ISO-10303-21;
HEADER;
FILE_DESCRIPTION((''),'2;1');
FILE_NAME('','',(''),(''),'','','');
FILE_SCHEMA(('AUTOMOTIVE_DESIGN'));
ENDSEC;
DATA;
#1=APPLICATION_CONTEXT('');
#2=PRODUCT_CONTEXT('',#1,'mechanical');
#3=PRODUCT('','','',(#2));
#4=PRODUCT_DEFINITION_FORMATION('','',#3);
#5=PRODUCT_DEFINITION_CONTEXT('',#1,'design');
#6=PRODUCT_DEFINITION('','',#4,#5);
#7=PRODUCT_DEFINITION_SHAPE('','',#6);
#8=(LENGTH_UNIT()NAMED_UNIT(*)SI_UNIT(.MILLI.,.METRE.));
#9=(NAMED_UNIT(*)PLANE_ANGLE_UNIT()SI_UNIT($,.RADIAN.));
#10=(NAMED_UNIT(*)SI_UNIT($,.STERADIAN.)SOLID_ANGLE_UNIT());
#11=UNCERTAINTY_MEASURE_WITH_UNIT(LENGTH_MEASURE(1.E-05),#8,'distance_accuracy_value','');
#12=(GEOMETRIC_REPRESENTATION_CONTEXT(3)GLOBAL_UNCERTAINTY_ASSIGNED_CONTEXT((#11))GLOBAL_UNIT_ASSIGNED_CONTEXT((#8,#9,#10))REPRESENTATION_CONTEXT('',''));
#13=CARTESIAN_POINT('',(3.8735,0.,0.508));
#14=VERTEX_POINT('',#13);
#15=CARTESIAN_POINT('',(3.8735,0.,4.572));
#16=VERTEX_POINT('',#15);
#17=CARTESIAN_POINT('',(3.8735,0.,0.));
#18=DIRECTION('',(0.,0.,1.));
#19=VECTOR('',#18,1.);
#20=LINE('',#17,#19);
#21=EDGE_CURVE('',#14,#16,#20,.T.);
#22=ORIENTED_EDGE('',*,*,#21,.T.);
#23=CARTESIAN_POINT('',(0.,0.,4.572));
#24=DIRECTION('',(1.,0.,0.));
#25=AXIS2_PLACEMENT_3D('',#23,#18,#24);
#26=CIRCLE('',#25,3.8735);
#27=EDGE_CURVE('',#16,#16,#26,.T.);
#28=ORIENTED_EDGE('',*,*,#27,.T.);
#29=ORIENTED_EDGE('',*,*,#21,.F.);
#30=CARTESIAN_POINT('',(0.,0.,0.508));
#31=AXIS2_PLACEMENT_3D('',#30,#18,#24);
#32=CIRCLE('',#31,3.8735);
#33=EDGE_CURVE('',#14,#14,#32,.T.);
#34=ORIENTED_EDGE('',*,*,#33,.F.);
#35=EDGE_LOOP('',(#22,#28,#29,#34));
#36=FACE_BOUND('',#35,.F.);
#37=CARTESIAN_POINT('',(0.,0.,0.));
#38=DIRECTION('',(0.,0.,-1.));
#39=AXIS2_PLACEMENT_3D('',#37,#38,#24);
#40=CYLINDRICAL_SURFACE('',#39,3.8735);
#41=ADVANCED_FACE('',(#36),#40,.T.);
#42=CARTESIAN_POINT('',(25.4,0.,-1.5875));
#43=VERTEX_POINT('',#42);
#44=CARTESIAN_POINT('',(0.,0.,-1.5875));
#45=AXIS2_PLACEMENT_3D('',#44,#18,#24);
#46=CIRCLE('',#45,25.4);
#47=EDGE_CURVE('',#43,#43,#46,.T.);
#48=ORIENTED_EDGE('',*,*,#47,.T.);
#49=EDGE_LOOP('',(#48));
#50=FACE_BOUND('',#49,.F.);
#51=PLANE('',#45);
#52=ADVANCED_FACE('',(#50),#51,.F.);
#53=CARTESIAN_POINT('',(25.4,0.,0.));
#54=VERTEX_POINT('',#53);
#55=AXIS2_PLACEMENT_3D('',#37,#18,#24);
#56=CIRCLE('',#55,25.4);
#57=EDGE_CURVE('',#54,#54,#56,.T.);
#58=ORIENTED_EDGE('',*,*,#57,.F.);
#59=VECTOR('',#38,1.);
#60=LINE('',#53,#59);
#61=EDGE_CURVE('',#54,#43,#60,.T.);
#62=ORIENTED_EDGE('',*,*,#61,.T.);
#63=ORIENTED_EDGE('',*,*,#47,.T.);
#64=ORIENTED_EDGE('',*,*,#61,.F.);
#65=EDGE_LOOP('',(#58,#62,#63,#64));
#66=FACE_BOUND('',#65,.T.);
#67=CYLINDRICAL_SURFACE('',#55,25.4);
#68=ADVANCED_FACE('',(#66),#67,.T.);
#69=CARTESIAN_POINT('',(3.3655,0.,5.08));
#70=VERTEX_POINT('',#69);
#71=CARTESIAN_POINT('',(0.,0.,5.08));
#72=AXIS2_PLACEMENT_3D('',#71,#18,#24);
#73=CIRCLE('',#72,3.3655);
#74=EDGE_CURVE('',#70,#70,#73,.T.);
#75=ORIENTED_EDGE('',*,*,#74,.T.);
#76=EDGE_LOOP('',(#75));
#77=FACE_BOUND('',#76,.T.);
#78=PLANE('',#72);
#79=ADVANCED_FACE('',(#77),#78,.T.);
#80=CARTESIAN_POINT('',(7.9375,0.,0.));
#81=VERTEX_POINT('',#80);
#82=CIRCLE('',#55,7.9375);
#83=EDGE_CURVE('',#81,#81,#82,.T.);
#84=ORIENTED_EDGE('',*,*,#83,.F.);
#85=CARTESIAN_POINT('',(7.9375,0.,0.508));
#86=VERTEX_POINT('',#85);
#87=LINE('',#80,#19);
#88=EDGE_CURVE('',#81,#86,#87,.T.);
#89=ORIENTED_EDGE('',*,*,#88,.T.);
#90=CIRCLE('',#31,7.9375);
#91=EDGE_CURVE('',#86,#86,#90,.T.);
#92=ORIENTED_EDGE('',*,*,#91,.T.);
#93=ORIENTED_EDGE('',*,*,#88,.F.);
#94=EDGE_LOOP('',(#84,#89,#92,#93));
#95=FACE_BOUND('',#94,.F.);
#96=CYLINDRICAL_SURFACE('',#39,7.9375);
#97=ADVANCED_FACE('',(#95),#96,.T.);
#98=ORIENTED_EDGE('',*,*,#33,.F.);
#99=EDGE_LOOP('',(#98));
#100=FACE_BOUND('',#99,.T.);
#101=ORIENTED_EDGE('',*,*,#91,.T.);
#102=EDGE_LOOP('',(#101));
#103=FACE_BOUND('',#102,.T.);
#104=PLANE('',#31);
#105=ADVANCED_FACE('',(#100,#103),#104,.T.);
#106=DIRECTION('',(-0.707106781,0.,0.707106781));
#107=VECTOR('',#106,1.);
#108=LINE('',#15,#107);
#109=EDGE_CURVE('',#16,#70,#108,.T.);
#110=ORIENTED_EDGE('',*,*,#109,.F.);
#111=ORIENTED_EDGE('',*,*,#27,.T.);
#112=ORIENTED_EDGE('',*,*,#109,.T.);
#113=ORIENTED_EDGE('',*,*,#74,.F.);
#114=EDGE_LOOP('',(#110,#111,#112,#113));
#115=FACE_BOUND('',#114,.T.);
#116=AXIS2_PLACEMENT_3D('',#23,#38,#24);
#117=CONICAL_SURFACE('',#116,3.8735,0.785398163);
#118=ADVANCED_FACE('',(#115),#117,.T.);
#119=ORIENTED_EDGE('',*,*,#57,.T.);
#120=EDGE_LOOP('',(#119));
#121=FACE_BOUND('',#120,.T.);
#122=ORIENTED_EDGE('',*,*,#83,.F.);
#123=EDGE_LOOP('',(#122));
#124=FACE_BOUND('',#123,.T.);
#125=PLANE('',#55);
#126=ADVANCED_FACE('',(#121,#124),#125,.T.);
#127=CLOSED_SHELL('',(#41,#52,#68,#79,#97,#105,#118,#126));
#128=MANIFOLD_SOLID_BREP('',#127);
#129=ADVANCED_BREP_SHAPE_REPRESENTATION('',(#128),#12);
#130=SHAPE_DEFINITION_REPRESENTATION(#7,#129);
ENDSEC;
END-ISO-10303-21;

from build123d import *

# Parameters (mm, degrees)
F0_R     = 25.4
F0_R_2   = 7.9375
F0_R_3   = 3.8735
F1_DEPTH = 1.5875
F2_DEPTH = 5.08
F3_SIZE  = 0.508
F4_DEPTH = 0.508


with BuildPart() as f1:
    # F0 (on Top) → F1 (new body)
    with BuildSketch(Plane.XY):
        Circle(F0_R)
        Circle(F0_R_2, mode=Mode.SUBTRACT)
        Circle(F0_R_2)
        Circle(F0_R_3, mode=Mode.SUBTRACT)
        Circle(F0_R_3)
    extrude(amount=-F1_DEPTH)

    # F0 (on Top) → F2 (join)
    with BuildSketch(Plane.XY):
        Circle(F0_R_3)
    extrude(amount=F2_DEPTH)

    # F3
    f3_edges = [f1.edges().sort_by_distance(p)[0] for p in [
        (-3.8735, 0, 5.08),
    ]]
    chamfer(f3_edges, length=F3_SIZE)

    # F0 (on Top) → F4 (join)
    with BuildSketch(Plane.XY):
        Circle(F0_R_2)
        Circle(F0_R_3, mode=Mode.SUBTRACT)
    extrude(amount=F4_DEPTH)


solid = f1.part
